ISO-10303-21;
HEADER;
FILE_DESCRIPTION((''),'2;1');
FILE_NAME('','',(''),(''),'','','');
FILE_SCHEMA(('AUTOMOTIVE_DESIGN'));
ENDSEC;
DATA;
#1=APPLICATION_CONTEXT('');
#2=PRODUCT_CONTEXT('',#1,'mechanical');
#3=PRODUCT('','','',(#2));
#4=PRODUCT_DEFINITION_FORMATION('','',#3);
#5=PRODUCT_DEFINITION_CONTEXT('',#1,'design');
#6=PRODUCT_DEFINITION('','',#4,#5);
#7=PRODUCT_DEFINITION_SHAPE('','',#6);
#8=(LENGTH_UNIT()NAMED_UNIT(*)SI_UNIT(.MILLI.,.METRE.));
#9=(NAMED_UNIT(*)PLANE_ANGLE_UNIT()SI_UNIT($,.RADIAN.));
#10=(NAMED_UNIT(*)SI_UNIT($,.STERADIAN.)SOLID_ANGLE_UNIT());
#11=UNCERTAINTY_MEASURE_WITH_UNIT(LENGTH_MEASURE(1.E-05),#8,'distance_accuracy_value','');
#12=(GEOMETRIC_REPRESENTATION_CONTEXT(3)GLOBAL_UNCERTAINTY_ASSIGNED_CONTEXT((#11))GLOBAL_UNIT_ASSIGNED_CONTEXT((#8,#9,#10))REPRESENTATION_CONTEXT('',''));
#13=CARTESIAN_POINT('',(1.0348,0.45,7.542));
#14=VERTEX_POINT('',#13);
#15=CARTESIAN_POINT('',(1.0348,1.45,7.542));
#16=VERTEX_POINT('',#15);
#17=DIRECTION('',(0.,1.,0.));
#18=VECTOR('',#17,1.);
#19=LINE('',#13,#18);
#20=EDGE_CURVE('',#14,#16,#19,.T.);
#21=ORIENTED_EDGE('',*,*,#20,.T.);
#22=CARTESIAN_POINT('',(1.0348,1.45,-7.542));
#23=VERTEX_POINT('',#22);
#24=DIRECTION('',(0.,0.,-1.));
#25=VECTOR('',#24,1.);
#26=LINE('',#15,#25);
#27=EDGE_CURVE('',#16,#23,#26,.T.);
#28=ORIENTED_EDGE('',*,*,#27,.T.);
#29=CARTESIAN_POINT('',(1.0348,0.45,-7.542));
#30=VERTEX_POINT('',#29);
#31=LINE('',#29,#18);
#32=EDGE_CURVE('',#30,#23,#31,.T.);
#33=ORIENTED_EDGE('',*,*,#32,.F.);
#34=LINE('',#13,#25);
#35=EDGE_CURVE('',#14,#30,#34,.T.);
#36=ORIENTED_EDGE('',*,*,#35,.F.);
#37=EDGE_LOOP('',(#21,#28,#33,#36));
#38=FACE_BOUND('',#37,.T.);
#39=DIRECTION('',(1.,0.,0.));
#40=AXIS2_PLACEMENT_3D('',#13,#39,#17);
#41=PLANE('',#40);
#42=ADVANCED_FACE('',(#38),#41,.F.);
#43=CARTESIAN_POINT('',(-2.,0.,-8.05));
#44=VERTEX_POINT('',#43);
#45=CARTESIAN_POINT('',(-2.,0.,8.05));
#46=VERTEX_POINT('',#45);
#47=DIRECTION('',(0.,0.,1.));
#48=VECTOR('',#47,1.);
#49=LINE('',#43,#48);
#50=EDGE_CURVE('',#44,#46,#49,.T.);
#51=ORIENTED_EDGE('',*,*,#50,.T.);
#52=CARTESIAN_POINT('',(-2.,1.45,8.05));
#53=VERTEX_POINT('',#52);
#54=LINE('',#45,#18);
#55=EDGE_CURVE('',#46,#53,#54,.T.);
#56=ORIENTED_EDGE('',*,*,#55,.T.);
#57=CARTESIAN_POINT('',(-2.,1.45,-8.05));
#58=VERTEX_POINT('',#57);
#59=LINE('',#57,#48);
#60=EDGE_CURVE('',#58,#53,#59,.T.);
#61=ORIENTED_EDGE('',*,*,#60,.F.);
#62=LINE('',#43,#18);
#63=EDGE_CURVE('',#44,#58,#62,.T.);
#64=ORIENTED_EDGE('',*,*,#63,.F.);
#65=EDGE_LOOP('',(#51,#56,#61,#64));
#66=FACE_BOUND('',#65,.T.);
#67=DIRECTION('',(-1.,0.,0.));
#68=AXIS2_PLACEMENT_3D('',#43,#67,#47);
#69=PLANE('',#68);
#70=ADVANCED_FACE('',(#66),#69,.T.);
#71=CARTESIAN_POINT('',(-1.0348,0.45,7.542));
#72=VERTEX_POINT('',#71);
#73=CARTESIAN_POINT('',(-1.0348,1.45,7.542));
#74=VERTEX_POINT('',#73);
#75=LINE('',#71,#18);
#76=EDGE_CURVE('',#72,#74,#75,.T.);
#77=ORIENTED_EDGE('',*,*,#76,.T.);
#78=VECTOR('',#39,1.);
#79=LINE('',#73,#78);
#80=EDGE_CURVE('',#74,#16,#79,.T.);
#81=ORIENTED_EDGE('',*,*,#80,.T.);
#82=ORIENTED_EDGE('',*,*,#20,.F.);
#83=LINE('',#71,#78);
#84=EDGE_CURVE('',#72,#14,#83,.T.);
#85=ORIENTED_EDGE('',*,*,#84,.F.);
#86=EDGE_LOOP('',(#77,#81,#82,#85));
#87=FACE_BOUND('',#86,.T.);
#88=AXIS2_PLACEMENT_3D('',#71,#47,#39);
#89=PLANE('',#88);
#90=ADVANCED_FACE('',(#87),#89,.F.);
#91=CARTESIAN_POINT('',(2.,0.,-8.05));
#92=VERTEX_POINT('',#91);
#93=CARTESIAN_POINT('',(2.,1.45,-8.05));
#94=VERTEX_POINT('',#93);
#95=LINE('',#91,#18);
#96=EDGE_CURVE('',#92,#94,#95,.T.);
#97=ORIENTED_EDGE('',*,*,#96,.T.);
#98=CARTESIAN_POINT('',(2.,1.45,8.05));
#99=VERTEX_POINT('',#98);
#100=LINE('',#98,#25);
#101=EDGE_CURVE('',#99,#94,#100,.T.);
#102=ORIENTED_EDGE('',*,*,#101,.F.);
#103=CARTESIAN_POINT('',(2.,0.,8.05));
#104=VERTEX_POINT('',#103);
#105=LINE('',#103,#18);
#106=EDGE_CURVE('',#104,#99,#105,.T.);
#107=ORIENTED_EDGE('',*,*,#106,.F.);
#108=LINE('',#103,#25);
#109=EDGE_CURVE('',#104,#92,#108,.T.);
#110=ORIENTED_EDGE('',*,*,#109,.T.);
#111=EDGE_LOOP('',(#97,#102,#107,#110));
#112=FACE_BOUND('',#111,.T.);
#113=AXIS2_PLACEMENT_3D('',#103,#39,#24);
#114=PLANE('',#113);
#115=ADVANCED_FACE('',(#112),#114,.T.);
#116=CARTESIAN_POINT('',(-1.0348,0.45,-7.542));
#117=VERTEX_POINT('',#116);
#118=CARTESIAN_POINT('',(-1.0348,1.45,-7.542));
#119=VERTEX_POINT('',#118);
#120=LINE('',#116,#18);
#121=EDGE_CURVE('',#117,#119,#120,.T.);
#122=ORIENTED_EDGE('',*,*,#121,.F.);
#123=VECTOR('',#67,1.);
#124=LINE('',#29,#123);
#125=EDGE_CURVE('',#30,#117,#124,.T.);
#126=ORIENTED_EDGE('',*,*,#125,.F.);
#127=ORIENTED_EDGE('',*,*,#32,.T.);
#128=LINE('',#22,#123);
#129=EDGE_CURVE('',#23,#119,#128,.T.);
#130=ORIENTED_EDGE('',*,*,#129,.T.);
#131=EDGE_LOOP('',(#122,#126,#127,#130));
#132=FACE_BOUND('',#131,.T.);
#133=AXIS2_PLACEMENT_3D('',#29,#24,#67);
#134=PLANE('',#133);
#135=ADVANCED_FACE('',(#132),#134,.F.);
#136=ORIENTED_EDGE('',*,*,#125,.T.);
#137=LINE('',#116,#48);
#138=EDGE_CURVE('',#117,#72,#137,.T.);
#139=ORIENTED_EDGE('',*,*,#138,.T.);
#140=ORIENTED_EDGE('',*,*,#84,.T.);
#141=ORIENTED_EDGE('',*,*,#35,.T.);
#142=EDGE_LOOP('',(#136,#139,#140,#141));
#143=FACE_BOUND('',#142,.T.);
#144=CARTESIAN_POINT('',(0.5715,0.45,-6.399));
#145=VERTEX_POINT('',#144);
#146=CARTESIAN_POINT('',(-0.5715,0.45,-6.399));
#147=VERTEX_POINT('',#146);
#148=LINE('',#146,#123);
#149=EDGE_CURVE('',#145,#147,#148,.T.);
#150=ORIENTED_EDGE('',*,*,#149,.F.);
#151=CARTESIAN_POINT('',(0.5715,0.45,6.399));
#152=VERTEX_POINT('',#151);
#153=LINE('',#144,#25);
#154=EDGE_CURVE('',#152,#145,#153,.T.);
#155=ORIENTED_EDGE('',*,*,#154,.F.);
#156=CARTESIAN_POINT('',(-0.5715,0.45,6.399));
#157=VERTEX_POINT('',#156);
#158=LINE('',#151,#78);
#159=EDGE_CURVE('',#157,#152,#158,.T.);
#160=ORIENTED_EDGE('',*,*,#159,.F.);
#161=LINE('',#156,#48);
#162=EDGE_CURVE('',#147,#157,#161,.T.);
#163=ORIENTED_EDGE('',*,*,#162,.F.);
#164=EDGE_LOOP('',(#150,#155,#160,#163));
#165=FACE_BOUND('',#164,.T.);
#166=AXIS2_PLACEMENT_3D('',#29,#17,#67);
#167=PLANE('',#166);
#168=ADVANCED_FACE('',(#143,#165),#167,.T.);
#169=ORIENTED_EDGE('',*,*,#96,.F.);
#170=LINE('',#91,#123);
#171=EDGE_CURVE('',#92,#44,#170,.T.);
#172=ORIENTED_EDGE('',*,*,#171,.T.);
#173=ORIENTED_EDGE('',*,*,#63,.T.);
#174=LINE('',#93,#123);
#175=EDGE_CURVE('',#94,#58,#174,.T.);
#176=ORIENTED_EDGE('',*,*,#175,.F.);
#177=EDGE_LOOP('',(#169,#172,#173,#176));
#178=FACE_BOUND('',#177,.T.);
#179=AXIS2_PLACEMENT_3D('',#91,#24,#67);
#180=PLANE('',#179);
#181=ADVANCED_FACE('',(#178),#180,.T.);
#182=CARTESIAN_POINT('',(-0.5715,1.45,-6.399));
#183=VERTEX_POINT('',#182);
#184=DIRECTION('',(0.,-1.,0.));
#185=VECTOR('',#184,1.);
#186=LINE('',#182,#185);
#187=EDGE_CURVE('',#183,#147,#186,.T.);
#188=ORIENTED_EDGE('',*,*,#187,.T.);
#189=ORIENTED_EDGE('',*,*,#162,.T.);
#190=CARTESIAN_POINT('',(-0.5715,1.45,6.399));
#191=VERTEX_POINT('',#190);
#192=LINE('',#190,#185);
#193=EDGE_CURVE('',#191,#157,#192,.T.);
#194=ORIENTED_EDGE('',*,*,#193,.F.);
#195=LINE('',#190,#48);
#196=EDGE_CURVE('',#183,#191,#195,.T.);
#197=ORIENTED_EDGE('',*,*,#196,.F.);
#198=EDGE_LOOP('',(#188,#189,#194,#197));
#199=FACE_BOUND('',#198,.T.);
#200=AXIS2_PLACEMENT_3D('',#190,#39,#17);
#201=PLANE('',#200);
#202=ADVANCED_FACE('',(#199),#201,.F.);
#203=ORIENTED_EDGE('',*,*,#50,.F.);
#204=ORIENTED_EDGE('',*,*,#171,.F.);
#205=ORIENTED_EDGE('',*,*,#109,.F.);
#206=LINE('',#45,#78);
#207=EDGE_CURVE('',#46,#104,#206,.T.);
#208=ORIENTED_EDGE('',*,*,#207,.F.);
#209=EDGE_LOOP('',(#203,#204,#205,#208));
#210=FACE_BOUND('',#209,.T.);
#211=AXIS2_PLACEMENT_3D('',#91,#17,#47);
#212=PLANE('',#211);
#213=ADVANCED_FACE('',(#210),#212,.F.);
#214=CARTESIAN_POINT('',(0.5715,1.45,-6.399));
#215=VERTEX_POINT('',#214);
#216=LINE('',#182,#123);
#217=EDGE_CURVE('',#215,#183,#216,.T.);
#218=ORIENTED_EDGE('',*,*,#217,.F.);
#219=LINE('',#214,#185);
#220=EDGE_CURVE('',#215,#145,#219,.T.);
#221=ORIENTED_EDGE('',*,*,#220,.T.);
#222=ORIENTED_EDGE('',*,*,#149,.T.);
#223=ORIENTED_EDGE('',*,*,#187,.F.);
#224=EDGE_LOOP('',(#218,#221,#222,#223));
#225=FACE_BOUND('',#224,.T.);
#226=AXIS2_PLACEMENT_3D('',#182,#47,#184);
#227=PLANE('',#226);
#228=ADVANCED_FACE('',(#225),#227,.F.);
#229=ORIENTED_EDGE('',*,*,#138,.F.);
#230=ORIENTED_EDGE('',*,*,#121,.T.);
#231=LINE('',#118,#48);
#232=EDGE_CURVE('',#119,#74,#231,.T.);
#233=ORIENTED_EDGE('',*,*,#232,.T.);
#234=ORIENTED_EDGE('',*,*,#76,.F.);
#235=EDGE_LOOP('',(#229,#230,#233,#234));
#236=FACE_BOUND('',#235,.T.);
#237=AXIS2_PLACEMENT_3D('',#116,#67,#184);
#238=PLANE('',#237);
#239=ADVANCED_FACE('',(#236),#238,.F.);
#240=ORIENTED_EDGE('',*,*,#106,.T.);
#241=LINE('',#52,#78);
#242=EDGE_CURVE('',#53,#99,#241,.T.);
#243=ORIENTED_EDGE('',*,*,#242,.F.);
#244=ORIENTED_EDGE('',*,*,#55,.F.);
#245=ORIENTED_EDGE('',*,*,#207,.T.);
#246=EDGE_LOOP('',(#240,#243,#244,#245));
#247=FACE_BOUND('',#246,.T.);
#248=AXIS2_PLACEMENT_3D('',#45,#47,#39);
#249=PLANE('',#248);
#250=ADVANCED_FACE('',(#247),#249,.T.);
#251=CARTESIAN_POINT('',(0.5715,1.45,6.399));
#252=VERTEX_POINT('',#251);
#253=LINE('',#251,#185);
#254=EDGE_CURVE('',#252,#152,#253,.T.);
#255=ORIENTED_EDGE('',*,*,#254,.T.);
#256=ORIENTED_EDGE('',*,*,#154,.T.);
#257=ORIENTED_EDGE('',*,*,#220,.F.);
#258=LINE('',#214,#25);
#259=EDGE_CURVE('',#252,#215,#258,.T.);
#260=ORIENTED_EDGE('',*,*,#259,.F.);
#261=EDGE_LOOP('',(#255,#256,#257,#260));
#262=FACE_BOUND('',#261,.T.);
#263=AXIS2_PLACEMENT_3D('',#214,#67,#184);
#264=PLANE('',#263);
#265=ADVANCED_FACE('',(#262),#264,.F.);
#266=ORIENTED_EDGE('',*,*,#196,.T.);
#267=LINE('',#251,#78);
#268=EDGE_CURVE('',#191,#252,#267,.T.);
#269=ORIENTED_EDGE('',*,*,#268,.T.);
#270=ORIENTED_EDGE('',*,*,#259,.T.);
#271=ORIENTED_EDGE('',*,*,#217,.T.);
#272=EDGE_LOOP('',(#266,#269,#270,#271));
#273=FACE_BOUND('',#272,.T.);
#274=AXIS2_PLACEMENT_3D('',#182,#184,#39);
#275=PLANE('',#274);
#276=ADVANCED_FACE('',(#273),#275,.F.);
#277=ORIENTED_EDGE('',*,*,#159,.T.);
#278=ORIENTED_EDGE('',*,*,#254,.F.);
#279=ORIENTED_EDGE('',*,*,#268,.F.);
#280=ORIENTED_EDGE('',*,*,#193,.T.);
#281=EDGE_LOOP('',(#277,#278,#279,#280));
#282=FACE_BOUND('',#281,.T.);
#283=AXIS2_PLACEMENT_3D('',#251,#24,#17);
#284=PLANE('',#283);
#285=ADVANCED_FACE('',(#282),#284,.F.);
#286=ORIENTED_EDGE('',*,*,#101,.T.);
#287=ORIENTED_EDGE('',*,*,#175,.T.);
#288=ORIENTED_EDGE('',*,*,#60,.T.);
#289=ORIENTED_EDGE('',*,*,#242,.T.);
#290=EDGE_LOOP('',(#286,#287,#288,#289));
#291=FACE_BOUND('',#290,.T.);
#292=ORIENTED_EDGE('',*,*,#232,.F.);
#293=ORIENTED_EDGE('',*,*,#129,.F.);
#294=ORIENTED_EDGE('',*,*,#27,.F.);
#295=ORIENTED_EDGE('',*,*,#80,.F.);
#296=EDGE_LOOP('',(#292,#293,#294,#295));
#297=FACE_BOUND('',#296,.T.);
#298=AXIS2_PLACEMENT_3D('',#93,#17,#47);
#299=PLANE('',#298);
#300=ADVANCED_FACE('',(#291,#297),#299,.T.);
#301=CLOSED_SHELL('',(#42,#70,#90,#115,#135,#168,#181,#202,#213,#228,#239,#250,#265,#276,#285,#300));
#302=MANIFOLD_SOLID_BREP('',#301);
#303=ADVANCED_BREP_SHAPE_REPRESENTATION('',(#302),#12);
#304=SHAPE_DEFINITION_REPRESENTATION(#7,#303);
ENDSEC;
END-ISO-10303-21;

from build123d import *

# Parameters (mm, degrees)
SKETCH1_W           = 4
SKETCH1_H           = 16.1
BOSS_EXTRUDE1_DEPTH = 1.45
SKETCH2_W           = 2.0696
SKETCH2_H           = 15.084
CUT_EXTRUDE1_DEPTH  = 1
SKETCH3_W           = 1.143
SKETCH3_H           = 12.798
BOSS_EXTRUDE2_DEPTH = 1


with BuildPart() as part:
    # Sketch1 → Boss-Extrude1 (new body)
    with BuildSketch(Plane(origin=(0, 1.45, 0), x_dir=(-1, 0, 0), z_dir=(0, 1, 0))):
        Rectangle(SKETCH1_W, SKETCH1_H)
    extrude(amount=-BOSS_EXTRUDE1_DEPTH)

    # Sketch2 → Cut-Extrude1 (cut)
    with BuildSketch(Plane(origin=(0, 1.45, 0), x_dir=(-1, 0, 0), z_dir=(0, 1, 0))):
        Rectangle(SKETCH2_W, SKETCH2_H)
    extrude(amount=-CUT_EXTRUDE1_DEPTH, mode=Mode.SUBTRACT)

    # Sketch3 → Boss-Extrude2 (add)
    with BuildSketch(Plane(origin=(0, 0.45, 0), x_dir=(-1, 0, 0), z_dir=(0, 1, 0))):
        Rectangle(SKETCH3_W, SKETCH3_H)
    extrude(amount=BOSS_EXTRUDE2_DEPTH)


solid = part.part
